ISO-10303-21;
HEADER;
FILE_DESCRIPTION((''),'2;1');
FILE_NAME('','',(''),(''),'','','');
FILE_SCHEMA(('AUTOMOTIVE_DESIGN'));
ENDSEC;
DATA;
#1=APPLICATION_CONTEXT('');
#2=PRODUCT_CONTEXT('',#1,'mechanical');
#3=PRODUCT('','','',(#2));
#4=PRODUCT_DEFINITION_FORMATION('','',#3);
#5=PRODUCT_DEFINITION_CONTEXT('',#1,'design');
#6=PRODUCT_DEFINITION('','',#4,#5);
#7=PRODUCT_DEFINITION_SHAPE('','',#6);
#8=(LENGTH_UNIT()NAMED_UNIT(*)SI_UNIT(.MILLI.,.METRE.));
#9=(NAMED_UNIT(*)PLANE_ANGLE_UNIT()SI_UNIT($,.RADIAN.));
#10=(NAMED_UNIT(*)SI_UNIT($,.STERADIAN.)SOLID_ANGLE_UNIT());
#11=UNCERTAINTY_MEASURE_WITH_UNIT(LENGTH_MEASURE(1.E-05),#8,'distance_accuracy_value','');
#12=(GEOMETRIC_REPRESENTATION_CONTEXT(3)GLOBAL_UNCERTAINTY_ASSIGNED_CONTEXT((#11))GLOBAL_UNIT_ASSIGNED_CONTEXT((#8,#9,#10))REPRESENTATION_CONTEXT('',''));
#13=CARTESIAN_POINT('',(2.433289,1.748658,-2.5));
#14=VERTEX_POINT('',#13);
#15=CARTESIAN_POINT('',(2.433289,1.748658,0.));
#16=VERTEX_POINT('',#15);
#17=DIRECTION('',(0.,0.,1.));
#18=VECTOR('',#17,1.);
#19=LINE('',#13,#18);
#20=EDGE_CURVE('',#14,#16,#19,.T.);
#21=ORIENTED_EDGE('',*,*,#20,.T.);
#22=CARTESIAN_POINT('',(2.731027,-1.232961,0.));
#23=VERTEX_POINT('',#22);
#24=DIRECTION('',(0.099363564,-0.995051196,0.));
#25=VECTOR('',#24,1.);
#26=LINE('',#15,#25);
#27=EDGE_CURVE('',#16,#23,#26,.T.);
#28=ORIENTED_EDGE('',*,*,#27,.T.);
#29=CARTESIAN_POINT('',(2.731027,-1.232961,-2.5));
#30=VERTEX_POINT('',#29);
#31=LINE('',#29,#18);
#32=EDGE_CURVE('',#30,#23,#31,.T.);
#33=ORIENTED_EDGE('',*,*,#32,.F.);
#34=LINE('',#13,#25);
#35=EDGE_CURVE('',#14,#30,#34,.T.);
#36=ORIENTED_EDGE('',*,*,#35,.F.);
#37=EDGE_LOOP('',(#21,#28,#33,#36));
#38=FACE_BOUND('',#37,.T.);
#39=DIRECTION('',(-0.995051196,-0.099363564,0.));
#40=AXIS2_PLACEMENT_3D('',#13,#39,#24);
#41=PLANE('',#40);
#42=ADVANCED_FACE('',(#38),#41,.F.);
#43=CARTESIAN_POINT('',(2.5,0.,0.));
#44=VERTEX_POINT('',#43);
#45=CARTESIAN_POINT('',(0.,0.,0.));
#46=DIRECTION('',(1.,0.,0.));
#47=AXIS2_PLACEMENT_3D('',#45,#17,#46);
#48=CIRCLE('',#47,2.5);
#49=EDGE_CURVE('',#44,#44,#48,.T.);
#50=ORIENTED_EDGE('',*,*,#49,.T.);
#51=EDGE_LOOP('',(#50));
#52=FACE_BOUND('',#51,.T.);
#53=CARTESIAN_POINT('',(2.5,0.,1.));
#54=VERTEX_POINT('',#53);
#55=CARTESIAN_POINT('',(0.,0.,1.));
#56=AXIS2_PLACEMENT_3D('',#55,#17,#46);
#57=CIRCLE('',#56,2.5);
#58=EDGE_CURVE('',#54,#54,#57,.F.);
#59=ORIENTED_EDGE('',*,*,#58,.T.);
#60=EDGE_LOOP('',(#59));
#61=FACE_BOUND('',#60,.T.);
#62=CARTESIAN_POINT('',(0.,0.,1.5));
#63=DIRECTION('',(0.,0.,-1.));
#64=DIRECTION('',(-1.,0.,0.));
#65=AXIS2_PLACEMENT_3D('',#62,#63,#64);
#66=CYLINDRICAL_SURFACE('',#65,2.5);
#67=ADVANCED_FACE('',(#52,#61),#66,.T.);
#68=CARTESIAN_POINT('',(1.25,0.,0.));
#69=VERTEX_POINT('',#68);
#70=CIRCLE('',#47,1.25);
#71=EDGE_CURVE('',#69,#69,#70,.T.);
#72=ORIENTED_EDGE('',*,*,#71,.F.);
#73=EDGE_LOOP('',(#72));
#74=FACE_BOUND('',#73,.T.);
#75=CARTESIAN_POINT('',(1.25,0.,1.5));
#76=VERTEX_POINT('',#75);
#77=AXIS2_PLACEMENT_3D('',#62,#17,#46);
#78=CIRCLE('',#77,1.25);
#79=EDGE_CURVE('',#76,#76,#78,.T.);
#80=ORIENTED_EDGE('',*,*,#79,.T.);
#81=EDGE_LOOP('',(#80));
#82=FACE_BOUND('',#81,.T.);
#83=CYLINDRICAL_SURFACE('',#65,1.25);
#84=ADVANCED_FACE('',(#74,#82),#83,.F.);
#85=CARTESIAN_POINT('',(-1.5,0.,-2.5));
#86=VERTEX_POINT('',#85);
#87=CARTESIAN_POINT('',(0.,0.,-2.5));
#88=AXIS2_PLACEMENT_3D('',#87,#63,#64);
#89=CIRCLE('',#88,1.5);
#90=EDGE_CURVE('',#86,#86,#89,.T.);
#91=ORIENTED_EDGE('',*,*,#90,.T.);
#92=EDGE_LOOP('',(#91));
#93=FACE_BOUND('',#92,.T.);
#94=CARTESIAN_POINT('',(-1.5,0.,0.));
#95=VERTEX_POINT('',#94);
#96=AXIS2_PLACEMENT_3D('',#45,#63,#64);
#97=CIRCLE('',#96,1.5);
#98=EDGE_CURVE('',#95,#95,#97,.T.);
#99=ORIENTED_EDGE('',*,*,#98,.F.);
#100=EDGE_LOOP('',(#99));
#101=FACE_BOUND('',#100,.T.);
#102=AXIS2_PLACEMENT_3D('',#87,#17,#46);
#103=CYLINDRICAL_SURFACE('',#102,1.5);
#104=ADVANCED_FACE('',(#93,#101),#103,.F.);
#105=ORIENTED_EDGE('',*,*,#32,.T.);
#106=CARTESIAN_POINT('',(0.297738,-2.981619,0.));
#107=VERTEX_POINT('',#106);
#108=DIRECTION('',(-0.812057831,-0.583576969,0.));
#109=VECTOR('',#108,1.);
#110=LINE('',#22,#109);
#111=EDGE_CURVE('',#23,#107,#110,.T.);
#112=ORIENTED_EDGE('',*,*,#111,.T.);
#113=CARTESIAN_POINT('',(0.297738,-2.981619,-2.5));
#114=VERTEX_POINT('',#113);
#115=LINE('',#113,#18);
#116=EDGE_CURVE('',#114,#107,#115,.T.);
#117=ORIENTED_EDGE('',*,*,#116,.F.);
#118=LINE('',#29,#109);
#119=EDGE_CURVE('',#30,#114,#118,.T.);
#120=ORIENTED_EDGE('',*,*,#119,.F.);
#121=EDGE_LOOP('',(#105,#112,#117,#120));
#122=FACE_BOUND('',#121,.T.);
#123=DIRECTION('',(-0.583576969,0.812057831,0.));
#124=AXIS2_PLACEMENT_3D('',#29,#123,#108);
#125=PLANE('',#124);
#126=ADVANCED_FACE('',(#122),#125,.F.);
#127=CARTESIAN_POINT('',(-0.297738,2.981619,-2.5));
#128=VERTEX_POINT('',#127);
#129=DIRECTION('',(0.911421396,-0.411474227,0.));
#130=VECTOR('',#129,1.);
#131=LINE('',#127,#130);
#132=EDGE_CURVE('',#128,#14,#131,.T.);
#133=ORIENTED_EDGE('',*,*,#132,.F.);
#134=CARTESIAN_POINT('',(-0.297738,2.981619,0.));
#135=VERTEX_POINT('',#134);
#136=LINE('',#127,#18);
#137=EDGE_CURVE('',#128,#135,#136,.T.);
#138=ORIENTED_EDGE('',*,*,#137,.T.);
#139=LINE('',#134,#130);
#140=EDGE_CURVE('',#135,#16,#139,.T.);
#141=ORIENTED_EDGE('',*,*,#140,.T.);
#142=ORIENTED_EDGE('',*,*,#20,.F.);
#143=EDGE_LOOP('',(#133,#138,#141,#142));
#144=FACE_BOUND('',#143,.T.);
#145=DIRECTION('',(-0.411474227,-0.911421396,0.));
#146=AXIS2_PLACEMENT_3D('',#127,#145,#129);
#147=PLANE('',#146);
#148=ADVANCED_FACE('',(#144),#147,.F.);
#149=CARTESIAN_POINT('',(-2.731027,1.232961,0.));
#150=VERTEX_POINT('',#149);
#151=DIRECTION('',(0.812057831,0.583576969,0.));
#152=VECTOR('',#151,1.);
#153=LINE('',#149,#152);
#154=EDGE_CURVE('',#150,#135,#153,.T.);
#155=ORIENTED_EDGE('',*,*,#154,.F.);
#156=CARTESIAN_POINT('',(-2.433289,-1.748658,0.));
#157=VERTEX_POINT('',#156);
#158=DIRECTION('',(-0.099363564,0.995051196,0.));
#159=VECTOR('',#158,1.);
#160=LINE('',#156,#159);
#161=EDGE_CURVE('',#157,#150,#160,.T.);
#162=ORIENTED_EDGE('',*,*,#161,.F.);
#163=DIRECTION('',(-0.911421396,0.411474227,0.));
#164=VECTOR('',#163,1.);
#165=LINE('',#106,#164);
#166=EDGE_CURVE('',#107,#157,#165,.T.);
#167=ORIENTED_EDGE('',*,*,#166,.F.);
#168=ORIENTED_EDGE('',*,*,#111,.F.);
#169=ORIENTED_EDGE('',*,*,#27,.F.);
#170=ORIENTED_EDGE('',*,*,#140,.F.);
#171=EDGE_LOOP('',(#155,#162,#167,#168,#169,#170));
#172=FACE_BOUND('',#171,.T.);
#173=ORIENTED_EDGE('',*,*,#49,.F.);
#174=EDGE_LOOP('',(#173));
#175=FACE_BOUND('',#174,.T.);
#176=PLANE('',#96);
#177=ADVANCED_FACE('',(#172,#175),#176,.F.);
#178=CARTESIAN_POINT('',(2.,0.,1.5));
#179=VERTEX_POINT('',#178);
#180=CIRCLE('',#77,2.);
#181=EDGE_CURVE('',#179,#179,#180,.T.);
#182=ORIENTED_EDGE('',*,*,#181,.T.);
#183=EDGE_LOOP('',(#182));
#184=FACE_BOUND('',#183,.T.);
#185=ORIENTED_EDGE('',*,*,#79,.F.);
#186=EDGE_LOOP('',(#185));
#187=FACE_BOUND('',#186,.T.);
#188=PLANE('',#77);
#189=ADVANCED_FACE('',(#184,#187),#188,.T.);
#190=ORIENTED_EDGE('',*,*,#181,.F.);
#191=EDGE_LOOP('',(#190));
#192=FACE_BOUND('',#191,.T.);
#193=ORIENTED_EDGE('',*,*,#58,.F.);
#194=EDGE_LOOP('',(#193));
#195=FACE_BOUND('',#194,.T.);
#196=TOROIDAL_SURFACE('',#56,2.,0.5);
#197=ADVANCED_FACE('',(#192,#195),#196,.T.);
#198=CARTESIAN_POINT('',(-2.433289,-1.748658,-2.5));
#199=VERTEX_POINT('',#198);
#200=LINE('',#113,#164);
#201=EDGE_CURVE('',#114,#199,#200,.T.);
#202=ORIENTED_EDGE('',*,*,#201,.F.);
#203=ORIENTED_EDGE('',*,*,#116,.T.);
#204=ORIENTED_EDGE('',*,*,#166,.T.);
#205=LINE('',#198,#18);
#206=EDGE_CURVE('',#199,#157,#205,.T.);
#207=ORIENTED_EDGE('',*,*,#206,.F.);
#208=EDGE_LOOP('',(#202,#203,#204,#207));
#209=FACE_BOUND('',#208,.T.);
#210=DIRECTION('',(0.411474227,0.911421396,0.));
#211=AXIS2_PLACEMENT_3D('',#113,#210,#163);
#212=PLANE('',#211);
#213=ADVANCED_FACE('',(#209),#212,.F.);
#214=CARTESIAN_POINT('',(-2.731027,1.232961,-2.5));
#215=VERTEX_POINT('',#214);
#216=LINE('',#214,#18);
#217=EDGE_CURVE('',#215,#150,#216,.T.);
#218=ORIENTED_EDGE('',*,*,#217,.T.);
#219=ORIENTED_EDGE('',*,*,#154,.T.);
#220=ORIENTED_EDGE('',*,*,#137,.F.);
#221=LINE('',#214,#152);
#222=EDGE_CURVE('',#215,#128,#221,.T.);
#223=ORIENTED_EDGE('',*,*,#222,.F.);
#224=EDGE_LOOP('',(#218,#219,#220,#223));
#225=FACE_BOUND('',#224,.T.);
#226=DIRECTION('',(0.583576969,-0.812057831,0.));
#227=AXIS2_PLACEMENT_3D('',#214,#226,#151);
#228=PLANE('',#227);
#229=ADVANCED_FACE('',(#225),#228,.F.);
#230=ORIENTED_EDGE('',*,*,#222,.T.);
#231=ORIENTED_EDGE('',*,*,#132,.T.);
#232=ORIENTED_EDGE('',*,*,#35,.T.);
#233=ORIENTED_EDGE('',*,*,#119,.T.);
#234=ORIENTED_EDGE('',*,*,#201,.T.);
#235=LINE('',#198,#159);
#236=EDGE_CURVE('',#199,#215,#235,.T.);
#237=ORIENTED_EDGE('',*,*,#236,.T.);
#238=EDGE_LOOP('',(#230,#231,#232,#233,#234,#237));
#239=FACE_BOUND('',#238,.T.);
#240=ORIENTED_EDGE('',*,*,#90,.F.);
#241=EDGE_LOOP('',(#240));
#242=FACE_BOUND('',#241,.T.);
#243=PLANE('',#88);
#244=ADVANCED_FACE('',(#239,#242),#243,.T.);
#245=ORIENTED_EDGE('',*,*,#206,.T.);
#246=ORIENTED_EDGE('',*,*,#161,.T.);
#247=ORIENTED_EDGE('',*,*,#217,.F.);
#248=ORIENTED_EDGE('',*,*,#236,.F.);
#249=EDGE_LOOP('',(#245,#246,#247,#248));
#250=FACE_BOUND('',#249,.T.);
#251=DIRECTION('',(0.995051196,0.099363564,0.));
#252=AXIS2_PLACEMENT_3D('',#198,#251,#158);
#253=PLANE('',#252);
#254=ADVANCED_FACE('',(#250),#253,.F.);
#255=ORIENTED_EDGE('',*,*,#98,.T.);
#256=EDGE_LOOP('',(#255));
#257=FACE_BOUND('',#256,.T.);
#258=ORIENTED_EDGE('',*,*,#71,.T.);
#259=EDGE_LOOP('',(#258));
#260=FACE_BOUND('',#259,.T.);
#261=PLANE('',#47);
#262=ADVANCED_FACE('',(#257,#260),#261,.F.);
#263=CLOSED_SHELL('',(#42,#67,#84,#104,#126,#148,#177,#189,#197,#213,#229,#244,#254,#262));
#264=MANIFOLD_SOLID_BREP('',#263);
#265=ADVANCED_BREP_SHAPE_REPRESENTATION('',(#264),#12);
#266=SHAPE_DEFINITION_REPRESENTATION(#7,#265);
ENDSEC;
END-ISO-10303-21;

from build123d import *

# Parameters (mm, degrees)
SKETCH_1_R      = 2.5
SKETCH_1_R_2    = 1.25
EXTRUDE_1_DEPTH = 1.5
FILLET_1_R      = 0.5
SKETCH_2_R      = 1.5
EXTRUDE_2_DEPTH = 2.5


with BuildPart() as part:
    # 草图1 → 凸台-拉伸1 (new body)
    with BuildSketch(Plane.XY):
        Circle(SKETCH_1_R)
        Circle(SKETCH_1_R_2, mode=Mode.SUBTRACT)
    extrude(amount=EXTRUDE_1_DEPTH)

    # 圆角1
    fillet_1_edges = [part.edges().sort_by_distance(p)[0] for p in [
        (-2.5, 0, 1.5),
    ]]
    fillet(fillet_1_edges, radius=FILLET_1_R)

    # 草图2 → 凸台-拉伸2 (add)
    with BuildSketch(Plane(origin=(0, 0, 0), x_dir=(-1, 0, 0), z_dir=(0, 0, -1))):
        Polygon((2.433288981, -1.748657981), (2.731026725, 1.232961082), (0.297737744, 2.981619063), (-2.433288981, 1.748657981), (-2.731026725, -1.232961082), (-0.297737744, -2.981619063), align=None)
        Circle(SKETCH_2_R, mode=Mode.SUBTRACT)
    extrude(amount=EXTRUDE_2_DEPTH)


solid = part.part
